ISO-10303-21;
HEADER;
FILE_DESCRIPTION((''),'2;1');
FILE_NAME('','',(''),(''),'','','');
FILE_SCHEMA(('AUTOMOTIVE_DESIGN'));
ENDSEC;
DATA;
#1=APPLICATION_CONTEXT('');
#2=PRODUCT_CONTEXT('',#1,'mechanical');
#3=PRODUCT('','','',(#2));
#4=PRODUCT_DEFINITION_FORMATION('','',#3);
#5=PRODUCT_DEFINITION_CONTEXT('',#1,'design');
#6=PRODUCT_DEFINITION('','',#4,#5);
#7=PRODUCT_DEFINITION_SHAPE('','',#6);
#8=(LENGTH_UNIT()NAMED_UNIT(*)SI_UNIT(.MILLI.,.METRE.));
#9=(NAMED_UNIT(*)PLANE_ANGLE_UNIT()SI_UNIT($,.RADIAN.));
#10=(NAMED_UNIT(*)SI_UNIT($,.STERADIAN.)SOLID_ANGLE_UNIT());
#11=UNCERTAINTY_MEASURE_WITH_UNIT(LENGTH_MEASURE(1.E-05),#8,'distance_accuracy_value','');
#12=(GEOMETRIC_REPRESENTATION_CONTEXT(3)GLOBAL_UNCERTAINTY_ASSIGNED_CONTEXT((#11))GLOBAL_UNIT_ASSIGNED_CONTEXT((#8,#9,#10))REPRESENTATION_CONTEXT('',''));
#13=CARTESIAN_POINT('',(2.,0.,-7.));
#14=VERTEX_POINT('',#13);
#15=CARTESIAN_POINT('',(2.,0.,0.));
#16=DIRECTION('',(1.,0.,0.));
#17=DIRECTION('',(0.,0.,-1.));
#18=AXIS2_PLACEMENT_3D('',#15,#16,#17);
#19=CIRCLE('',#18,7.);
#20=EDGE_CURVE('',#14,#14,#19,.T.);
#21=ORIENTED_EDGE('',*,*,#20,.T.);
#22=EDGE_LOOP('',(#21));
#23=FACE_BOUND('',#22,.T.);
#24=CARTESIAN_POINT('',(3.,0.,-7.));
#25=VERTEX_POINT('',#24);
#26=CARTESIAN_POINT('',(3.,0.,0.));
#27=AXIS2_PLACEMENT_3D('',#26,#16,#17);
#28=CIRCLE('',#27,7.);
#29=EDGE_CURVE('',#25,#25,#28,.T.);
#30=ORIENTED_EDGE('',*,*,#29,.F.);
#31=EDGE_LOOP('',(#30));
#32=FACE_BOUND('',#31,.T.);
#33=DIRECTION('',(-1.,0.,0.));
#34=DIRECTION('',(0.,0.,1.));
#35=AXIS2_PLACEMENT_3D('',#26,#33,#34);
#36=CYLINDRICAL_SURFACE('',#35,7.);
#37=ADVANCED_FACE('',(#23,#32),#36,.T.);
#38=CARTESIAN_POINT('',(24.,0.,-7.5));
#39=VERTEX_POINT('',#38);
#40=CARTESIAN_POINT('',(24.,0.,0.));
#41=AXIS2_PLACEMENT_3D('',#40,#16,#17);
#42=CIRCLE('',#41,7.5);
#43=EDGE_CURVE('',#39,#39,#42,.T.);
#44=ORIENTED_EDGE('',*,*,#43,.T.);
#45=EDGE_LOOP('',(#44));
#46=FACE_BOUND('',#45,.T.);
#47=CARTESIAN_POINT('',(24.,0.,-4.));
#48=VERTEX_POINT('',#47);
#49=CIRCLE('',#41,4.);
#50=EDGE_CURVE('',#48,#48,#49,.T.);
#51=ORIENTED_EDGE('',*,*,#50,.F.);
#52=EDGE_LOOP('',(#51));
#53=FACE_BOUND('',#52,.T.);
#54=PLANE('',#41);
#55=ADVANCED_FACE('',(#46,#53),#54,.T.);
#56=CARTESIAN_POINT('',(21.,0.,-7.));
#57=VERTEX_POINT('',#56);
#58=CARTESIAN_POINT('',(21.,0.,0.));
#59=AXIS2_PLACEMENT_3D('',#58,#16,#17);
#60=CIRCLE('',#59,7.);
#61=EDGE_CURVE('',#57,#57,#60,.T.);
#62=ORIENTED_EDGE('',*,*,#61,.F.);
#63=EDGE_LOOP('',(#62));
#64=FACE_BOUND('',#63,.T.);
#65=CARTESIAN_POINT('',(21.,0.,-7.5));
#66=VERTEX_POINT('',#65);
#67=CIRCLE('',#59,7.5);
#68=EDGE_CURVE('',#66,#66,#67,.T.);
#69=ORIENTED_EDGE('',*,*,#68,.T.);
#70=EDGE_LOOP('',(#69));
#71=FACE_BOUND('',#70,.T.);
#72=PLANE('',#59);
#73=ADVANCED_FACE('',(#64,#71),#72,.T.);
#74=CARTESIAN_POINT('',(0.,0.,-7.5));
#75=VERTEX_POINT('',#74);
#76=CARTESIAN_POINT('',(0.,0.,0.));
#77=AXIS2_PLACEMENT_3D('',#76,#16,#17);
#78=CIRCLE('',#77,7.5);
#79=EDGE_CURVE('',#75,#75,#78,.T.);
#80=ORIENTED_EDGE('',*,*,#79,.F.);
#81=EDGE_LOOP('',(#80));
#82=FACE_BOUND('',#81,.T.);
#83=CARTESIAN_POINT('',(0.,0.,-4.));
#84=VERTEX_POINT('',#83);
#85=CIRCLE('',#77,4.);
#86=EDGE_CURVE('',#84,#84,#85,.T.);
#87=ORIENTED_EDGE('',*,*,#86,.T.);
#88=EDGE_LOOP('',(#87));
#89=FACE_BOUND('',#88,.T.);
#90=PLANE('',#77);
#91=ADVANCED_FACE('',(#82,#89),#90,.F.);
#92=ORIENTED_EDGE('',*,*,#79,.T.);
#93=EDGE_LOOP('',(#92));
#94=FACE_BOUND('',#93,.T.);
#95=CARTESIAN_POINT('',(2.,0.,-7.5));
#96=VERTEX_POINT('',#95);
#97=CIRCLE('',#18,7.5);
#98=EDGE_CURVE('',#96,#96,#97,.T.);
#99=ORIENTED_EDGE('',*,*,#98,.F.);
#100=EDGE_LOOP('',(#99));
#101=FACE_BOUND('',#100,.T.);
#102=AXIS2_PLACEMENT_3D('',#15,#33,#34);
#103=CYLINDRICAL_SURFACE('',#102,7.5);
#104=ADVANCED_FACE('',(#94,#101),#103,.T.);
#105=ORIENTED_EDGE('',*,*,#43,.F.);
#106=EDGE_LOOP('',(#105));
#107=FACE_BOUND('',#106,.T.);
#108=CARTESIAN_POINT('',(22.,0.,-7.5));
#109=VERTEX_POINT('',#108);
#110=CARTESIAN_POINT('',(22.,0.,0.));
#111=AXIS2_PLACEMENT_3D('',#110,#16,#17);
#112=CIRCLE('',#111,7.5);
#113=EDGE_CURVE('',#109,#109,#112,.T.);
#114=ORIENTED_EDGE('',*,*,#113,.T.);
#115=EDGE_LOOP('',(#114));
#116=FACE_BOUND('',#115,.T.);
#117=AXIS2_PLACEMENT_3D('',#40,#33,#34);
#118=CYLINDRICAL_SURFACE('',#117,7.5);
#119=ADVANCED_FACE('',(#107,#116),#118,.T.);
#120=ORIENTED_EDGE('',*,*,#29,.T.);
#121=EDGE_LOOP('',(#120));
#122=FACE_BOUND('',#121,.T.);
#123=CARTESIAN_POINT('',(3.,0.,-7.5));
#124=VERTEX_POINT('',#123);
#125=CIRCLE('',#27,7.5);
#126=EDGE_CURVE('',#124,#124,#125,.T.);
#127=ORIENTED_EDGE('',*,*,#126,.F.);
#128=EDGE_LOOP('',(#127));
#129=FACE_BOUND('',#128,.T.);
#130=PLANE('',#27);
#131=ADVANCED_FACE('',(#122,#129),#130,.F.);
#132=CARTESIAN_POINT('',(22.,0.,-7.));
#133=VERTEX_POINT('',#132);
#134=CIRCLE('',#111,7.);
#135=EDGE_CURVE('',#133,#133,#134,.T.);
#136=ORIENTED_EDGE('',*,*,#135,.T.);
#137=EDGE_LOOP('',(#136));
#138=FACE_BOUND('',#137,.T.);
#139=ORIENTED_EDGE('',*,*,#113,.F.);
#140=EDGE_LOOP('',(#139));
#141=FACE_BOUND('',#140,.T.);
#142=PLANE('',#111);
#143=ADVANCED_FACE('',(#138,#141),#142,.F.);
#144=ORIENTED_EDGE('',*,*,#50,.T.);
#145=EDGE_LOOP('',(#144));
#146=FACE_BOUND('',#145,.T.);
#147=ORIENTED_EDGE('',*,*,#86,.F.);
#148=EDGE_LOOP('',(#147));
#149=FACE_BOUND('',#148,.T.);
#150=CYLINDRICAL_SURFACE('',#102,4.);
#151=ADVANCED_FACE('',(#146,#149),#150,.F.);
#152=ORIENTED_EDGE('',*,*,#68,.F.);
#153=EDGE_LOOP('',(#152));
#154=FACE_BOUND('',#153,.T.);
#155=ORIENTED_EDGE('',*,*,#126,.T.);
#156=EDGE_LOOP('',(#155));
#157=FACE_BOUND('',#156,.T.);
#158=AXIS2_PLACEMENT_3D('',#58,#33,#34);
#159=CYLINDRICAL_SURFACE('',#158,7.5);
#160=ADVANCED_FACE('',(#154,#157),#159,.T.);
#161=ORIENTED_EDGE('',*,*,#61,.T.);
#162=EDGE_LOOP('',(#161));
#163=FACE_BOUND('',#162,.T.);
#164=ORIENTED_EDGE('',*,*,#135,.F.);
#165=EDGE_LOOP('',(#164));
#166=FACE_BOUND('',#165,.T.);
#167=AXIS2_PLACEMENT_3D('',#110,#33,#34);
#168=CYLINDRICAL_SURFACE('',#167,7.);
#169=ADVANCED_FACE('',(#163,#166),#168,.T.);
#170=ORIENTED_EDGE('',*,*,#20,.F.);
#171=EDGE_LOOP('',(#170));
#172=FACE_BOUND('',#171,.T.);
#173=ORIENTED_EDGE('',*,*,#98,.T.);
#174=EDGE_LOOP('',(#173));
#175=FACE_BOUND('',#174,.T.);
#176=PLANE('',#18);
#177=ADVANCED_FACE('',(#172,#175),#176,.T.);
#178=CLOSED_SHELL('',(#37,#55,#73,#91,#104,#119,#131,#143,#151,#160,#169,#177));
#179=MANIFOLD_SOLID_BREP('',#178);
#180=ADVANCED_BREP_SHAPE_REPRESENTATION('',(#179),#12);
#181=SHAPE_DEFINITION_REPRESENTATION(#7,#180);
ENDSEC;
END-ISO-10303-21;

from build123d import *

# Parameters (mm, degrees)
SKETCH1_R           = 7.5
SKETCH1_R_2         = 4
BOSS_EXTRUDE1_DEPTH = 2
SKETCH2_R           = 7
SKETCH2_R_2         = 4
BOSS_EXTRUDE2_DEPTH = 1
SKETCH3_R           = 7.5
SKETCH3_R_2         = 4
BOSS_EXTRUDE3_DEPTH = 18
SKETCH4_R           = 7
SKETCH4_R_2         = 4
BOSS_EXTRUDE4_DEPTH = 1
SKETCH5_R           = 7.5
SKETCH5_R_2         = 4
BOSS_EXTRUDE5_DEPTH = 2


with BuildPart() as part:
    # Sketch1 → Boss-Extrude1 (new body)
    with BuildSketch(Plane(origin=(0, 0, 0), x_dir=(0, 0, -1), z_dir=(1, 0, 0))):
        Circle(SKETCH1_R)
        Circle(SKETCH1_R_2, mode=Mode.SUBTRACT)
    extrude(amount=BOSS_EXTRUDE1_DEPTH)

    # Sketch2 → Boss-Extrude2 (add)
    with BuildSketch(Plane(origin=(2, 0, 0), x_dir=(0, 0, -1), z_dir=(1, 0, 0))):
        Circle(SKETCH2_R)
        Circle(SKETCH2_R_2, mode=Mode.SUBTRACT)
    extrude(amount=BOSS_EXTRUDE2_DEPTH)

    # Sketch3 → Boss-Extrude3 (add)
    with BuildSketch(Plane(origin=(3, 0, 0), x_dir=(0, 0, -1), z_dir=(1, 0, 0))):
        Circle(SKETCH3_R)
        Circle(SKETCH3_R_2, mode=Mode.SUBTRACT)
    extrude(amount=BOSS_EXTRUDE3_DEPTH)

    # Sketch4 → Boss-Extrude4 (add)
    with BuildSketch(Plane(origin=(21, 0, 0), x_dir=(0, 0, -1), z_dir=(1, 0, 0))):
        Circle(SKETCH4_R)
        Circle(SKETCH4_R_2, mode=Mode.SUBTRACT)
    extrude(amount=BOSS_EXTRUDE4_DEPTH)

    # Sketch5 → Boss-Extrude5 (add)
    with BuildSketch(Plane(origin=(22, 0, 0), x_dir=(0, 0, -1), z_dir=(1, 0, 0))):
        Circle(SKETCH5_R)
        Circle(SKETCH5_R_2, mode=Mode.SUBTRACT)
    extrude(amount=BOSS_EXTRUDE5_DEPTH)


solid = part.part
